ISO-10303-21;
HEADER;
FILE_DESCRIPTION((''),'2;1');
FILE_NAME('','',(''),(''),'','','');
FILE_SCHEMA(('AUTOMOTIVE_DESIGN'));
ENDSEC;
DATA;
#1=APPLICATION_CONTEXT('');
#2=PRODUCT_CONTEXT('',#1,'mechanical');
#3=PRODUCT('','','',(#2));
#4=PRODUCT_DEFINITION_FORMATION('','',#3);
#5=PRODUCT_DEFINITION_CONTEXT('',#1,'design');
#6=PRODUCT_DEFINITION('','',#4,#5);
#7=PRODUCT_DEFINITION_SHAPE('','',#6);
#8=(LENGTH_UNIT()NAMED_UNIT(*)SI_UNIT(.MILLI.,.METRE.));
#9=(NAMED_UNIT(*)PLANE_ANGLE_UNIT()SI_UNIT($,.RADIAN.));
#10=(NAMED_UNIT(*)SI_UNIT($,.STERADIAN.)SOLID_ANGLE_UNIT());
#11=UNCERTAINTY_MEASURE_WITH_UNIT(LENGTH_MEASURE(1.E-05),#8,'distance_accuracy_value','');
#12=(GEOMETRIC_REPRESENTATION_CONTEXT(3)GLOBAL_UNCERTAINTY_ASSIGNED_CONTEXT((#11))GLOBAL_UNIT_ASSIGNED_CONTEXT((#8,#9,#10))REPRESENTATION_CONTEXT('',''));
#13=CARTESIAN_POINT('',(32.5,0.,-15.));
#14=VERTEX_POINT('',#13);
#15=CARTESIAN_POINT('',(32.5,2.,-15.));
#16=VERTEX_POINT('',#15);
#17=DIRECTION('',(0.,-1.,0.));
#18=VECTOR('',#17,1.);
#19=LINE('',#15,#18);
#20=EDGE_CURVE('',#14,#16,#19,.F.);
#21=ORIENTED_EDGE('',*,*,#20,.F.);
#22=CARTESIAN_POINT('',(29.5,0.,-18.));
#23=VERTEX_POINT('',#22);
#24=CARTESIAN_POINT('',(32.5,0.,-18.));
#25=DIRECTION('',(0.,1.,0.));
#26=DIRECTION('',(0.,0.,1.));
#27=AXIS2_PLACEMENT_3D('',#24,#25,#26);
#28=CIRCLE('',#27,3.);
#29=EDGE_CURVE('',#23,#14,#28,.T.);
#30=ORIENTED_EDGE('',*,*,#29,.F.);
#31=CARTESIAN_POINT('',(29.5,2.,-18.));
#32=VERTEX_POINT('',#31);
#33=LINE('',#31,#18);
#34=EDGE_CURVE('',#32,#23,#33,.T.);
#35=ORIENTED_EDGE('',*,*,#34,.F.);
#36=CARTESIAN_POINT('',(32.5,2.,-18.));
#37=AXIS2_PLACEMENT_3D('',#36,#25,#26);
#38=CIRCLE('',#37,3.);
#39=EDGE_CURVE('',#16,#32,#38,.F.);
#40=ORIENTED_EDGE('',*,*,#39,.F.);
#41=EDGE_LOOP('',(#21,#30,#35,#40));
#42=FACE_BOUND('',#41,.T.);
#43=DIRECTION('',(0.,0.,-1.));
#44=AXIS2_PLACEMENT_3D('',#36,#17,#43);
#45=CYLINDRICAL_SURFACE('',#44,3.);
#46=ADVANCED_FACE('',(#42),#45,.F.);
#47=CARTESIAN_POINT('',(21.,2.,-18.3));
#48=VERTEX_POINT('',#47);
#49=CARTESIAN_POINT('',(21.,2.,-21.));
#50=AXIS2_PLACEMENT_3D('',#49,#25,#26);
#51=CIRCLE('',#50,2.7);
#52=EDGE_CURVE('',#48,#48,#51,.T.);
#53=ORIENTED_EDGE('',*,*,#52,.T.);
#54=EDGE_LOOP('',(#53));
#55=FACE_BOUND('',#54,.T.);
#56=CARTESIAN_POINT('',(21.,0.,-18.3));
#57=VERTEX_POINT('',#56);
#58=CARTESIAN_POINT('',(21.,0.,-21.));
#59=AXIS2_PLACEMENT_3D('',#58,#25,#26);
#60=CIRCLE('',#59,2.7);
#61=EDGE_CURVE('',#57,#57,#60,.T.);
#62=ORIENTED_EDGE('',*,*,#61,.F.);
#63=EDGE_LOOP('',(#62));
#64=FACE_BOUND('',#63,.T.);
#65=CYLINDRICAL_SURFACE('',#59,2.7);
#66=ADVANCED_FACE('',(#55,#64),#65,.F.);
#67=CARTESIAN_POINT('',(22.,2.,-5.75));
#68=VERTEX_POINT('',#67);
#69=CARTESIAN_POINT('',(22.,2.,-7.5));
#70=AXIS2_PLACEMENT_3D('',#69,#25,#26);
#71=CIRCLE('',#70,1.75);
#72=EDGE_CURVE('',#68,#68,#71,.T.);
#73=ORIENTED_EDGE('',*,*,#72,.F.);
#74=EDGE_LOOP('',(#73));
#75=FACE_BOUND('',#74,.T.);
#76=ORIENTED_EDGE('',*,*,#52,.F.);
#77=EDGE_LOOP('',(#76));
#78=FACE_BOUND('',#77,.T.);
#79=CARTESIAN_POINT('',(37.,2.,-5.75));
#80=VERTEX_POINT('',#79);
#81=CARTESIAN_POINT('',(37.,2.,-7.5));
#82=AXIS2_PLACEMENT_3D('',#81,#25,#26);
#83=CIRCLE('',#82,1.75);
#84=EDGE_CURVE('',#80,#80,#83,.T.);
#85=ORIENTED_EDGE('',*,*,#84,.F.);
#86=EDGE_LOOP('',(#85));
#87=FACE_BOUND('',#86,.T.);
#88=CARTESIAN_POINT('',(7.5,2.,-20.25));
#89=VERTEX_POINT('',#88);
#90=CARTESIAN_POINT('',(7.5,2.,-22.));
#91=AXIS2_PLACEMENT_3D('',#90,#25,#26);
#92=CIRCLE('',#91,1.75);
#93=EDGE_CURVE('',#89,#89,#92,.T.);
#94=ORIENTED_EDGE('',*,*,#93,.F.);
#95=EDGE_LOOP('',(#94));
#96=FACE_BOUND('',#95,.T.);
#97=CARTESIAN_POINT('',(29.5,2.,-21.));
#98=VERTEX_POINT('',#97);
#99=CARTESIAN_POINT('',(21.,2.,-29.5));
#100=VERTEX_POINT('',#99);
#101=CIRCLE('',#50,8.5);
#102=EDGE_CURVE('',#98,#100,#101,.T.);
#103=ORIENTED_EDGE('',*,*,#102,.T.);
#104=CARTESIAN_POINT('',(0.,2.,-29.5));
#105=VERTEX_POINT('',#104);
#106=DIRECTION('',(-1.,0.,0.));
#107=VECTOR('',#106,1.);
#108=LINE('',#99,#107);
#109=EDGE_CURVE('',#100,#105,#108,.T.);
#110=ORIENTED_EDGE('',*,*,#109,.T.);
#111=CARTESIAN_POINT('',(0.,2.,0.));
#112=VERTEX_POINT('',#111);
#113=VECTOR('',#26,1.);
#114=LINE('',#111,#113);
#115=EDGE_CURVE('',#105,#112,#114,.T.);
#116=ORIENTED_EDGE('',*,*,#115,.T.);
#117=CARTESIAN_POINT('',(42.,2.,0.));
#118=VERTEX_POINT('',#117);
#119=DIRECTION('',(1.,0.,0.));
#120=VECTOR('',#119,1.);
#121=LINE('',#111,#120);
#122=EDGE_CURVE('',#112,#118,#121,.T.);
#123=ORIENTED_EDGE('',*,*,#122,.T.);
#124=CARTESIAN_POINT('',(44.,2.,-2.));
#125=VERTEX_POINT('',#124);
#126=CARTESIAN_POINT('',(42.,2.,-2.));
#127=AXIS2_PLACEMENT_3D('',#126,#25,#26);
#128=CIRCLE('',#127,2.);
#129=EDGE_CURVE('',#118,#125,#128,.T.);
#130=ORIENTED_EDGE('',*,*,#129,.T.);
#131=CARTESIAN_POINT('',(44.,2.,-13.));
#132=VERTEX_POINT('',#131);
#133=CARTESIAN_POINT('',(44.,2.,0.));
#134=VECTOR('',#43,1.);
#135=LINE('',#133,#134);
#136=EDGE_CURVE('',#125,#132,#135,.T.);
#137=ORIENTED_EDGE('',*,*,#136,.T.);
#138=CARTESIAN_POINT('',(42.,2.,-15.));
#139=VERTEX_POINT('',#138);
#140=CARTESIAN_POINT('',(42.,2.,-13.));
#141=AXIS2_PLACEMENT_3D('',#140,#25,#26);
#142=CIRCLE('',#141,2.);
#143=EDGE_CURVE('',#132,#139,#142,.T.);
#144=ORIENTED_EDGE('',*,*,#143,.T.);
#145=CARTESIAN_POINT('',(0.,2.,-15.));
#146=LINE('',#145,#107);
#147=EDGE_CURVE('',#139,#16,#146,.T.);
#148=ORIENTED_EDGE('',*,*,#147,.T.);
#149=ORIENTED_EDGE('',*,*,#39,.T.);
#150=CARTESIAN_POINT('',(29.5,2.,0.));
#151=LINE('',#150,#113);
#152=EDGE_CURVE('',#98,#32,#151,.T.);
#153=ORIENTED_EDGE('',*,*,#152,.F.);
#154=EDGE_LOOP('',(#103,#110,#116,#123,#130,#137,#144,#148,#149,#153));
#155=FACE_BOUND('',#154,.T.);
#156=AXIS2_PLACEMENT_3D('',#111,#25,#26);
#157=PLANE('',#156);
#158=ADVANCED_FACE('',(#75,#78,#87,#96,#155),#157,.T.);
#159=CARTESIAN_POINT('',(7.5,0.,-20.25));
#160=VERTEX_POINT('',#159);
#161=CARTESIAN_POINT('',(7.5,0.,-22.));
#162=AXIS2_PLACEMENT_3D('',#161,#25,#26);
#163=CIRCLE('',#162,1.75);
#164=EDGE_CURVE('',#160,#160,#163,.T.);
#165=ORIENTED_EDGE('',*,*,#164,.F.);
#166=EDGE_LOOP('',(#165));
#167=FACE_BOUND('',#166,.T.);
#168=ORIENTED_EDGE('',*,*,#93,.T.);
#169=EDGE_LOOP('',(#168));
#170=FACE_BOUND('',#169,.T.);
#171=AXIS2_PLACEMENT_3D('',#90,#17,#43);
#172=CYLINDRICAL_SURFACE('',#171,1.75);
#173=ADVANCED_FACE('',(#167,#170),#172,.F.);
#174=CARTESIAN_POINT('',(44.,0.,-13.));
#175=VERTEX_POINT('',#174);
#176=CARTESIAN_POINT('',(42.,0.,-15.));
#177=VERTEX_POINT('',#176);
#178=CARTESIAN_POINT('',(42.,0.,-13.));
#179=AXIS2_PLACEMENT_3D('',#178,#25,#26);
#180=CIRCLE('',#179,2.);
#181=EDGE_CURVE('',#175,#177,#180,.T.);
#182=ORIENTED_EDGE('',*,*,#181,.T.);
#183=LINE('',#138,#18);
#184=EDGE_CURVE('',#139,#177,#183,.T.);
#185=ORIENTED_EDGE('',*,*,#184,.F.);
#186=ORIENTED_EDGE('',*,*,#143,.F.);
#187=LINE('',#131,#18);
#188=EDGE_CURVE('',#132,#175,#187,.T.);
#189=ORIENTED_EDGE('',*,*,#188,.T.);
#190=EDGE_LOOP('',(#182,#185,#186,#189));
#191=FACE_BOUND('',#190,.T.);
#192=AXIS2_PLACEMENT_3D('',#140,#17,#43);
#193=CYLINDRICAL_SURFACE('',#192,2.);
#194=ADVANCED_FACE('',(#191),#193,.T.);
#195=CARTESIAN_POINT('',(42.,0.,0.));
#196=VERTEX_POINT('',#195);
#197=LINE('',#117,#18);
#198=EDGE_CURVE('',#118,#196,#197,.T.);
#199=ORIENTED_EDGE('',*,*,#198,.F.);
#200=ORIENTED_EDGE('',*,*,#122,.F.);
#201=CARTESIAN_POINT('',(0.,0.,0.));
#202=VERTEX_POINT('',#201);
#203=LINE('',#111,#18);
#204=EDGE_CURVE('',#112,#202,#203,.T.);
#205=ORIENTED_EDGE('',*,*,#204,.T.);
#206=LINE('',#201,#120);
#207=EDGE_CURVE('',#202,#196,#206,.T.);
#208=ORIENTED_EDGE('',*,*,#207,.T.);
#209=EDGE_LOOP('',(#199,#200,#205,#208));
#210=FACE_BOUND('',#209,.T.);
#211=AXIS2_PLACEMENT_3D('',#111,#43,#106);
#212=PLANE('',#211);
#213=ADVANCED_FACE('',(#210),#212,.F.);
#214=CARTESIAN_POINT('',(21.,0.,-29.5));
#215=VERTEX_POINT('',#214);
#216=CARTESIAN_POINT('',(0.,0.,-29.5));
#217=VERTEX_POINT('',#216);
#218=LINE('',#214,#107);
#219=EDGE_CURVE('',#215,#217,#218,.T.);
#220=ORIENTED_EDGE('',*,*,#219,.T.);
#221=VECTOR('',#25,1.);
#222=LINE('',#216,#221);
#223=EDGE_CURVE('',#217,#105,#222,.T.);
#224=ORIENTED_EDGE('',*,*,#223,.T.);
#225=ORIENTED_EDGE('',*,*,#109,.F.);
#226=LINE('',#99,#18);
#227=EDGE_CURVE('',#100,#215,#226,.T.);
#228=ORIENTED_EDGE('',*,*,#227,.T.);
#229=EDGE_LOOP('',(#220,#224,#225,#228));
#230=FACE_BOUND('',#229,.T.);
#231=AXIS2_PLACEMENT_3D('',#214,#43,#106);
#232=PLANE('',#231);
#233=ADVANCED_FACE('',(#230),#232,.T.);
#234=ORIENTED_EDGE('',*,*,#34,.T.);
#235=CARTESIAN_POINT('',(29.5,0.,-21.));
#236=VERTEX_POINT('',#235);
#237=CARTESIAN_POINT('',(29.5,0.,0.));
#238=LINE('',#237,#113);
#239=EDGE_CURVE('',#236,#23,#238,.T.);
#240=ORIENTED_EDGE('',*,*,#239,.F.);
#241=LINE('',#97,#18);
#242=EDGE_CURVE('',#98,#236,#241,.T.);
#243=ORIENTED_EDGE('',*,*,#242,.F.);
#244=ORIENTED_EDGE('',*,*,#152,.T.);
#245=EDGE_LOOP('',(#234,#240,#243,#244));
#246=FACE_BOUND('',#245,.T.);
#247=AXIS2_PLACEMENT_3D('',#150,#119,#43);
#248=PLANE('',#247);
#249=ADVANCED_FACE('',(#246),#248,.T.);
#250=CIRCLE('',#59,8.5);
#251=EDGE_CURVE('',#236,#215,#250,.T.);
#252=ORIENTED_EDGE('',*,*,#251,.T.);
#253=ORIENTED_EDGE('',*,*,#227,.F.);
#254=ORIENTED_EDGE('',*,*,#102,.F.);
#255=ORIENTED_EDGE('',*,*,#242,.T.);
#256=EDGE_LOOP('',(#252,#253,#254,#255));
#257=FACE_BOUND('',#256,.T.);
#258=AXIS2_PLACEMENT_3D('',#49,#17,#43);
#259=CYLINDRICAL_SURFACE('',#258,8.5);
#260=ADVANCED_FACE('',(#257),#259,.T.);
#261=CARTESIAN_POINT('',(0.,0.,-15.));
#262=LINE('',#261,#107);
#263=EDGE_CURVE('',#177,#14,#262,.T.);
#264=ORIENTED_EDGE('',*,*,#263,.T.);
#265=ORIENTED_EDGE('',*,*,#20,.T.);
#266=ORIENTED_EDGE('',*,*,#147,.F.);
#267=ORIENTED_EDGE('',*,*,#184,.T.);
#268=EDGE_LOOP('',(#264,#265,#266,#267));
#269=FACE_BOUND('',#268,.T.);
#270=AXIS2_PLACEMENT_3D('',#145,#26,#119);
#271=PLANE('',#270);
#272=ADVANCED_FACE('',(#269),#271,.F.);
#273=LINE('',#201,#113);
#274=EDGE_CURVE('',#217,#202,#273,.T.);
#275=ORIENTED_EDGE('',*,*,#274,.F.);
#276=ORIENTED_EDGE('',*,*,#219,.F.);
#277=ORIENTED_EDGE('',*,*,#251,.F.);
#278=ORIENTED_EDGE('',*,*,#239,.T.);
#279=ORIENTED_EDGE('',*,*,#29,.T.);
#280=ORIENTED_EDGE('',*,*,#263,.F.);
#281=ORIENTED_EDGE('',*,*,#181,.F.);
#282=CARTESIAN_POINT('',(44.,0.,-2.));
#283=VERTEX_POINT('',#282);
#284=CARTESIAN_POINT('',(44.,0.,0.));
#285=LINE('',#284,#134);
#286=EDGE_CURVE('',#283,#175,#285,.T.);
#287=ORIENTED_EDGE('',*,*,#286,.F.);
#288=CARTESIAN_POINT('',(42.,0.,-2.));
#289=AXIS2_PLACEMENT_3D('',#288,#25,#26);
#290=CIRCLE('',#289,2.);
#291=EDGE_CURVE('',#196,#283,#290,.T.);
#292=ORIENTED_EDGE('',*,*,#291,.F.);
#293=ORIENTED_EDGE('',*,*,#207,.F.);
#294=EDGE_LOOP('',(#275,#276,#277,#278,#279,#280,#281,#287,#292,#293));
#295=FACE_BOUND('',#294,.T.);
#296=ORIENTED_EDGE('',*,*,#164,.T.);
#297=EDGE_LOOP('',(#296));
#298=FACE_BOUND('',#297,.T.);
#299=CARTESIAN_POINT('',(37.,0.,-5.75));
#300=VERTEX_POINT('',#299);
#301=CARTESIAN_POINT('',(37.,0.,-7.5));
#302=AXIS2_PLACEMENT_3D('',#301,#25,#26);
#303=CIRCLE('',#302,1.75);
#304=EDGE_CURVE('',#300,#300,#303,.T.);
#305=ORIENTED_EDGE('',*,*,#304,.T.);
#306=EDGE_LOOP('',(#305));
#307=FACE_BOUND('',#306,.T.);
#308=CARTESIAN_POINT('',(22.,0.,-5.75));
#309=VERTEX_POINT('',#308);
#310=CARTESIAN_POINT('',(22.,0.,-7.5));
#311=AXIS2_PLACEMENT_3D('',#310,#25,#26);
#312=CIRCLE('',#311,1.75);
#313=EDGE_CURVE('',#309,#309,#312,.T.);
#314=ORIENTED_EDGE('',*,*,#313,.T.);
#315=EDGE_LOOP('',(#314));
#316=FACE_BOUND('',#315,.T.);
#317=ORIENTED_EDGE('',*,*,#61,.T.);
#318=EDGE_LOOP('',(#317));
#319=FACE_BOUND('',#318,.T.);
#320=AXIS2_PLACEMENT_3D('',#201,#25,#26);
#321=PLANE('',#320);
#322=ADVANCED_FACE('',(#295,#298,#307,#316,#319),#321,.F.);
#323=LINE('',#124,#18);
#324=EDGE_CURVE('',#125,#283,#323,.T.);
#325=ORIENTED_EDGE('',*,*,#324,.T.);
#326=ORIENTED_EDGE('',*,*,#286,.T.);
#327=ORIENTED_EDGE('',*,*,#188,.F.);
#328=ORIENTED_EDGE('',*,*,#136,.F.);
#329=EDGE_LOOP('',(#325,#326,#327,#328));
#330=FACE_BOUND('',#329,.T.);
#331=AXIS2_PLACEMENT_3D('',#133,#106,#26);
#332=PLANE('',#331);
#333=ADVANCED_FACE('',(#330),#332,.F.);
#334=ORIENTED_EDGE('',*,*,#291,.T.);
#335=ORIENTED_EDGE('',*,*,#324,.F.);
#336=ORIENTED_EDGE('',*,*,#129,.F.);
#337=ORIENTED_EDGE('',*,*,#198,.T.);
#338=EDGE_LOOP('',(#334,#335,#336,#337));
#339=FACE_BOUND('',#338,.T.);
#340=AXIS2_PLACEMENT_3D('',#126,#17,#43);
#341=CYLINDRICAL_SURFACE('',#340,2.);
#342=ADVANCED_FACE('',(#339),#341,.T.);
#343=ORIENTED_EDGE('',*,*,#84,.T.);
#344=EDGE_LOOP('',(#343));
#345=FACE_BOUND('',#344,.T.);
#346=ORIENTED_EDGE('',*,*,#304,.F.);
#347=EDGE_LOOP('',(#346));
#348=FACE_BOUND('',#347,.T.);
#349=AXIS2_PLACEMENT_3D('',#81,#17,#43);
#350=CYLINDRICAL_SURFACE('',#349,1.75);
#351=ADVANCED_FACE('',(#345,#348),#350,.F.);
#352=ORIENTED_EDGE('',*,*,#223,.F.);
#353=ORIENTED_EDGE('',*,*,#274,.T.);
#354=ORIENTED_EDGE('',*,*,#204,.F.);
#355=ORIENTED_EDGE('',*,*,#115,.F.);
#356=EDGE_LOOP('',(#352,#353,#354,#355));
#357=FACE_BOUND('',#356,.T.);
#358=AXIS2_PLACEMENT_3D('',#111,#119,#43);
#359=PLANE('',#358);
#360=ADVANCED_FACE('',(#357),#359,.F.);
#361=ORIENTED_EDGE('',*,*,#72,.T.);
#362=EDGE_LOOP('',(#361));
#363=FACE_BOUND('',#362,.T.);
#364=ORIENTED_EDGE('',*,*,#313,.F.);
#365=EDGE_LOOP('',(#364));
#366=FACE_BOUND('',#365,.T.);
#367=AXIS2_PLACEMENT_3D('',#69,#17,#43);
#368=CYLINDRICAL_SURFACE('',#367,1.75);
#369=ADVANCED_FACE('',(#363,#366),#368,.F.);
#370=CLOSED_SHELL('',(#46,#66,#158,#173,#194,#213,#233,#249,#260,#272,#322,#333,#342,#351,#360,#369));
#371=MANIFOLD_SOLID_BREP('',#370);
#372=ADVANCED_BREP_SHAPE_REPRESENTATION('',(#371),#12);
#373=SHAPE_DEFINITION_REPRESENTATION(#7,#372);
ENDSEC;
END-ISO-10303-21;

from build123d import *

# Parameters (mm, degrees)
SKETCH_1_R      = 1.75
SKETCH_1_R_2    = 5
EXTRUDE_1_DEPTH = 2
FILLET_1_R      = 3
EXTRUDE_START   = -2
SKETCH_2_R      = 5
SKETCH_2_R_2    = 2.7
EXTRUDE_2_DEPTH = 2
EXTRUDE_3_DEPTH = 2


with BuildPart() as part:
    # 草图1 → 凸台-拉伸1 (new body)
    with BuildSketch(Plane(origin=(0, 0, 0), x_dir=(1, 0, 0), z_dir=(0, 1, 0))):
        with BuildLine():
            Line((0, 27), (0, 0))
            Line((0, 0), (42, 0))
            ThreePointArc((42, 0), (43.414213562, 0.585786438), (44, 2))
            Line((44, 2), (44, 13))
            ThreePointArc((44, 13), (43.414213562, 14.414213562), (42, 15))
            Line((42, 15), (29.5, 15))
            Line((29.5, 15), (29.5, 21))
            ThreePointArc((29.5, 21), (27.01040764, 27.01040764), (21, 29.5))
            Line((21, 29.5), (0, 27))
        make_face()
        with Locations(Location((22, 7.5, 0), (0, 0, 270))):
            Circle(SKETCH_1_R, mode=Mode.SUBTRACT)
        with Locations(Location((37, 7.5, 0), (0, 0, 270))):
            Circle(SKETCH_1_R, mode=Mode.SUBTRACT)
        with Locations(Location((7.5, 22, 0), (0, 0, 270))):
            Circle(SKETCH_1_R, mode=Mode.SUBTRACT)
        with Locations(Location((21, 21, 0), (0, 0, 270))):
            Circle(SKETCH_1_R_2, mode=Mode.SUBTRACT)
    extrude(amount=EXTRUDE_1_DEPTH)

    # 圆角1
    fillet_1_edges = [part.edges().sort_by_distance(p)[0] for p in [
        (29.5, 1, -15),
    ]]
    fillet(fillet_1_edges, radius=FILLET_1_R)

    # 草图2 → 凸台-拉伸2 (add)
    with BuildSketch(Plane(origin=(0, 2, 0), x_dir=(1, 0, 0), z_dir=(0, 1, 0)).offset(EXTRUDE_START)):
        with Locations((21, 21)):
            Circle(SKETCH_2_R)
        with Locations(Location((21, 21, 0), (0, 0, 270))):
            Circle(SKETCH_2_R_2, mode=Mode.SUBTRACT)
    extrude(amount=EXTRUDE_2_DEPTH)

    # 草图3 → 凸台-拉伸3 (add)
    with BuildSketch(Plane(origin=(0, 2, 0), x_dir=(1, 0, 0), z_dir=(0, 1, 0))):
        Polygon((21, 29.5), (0, 29.5), (0, 27), align=None)
    extrude(amount=-EXTRUDE_3_DEPTH)


solid = part.part
